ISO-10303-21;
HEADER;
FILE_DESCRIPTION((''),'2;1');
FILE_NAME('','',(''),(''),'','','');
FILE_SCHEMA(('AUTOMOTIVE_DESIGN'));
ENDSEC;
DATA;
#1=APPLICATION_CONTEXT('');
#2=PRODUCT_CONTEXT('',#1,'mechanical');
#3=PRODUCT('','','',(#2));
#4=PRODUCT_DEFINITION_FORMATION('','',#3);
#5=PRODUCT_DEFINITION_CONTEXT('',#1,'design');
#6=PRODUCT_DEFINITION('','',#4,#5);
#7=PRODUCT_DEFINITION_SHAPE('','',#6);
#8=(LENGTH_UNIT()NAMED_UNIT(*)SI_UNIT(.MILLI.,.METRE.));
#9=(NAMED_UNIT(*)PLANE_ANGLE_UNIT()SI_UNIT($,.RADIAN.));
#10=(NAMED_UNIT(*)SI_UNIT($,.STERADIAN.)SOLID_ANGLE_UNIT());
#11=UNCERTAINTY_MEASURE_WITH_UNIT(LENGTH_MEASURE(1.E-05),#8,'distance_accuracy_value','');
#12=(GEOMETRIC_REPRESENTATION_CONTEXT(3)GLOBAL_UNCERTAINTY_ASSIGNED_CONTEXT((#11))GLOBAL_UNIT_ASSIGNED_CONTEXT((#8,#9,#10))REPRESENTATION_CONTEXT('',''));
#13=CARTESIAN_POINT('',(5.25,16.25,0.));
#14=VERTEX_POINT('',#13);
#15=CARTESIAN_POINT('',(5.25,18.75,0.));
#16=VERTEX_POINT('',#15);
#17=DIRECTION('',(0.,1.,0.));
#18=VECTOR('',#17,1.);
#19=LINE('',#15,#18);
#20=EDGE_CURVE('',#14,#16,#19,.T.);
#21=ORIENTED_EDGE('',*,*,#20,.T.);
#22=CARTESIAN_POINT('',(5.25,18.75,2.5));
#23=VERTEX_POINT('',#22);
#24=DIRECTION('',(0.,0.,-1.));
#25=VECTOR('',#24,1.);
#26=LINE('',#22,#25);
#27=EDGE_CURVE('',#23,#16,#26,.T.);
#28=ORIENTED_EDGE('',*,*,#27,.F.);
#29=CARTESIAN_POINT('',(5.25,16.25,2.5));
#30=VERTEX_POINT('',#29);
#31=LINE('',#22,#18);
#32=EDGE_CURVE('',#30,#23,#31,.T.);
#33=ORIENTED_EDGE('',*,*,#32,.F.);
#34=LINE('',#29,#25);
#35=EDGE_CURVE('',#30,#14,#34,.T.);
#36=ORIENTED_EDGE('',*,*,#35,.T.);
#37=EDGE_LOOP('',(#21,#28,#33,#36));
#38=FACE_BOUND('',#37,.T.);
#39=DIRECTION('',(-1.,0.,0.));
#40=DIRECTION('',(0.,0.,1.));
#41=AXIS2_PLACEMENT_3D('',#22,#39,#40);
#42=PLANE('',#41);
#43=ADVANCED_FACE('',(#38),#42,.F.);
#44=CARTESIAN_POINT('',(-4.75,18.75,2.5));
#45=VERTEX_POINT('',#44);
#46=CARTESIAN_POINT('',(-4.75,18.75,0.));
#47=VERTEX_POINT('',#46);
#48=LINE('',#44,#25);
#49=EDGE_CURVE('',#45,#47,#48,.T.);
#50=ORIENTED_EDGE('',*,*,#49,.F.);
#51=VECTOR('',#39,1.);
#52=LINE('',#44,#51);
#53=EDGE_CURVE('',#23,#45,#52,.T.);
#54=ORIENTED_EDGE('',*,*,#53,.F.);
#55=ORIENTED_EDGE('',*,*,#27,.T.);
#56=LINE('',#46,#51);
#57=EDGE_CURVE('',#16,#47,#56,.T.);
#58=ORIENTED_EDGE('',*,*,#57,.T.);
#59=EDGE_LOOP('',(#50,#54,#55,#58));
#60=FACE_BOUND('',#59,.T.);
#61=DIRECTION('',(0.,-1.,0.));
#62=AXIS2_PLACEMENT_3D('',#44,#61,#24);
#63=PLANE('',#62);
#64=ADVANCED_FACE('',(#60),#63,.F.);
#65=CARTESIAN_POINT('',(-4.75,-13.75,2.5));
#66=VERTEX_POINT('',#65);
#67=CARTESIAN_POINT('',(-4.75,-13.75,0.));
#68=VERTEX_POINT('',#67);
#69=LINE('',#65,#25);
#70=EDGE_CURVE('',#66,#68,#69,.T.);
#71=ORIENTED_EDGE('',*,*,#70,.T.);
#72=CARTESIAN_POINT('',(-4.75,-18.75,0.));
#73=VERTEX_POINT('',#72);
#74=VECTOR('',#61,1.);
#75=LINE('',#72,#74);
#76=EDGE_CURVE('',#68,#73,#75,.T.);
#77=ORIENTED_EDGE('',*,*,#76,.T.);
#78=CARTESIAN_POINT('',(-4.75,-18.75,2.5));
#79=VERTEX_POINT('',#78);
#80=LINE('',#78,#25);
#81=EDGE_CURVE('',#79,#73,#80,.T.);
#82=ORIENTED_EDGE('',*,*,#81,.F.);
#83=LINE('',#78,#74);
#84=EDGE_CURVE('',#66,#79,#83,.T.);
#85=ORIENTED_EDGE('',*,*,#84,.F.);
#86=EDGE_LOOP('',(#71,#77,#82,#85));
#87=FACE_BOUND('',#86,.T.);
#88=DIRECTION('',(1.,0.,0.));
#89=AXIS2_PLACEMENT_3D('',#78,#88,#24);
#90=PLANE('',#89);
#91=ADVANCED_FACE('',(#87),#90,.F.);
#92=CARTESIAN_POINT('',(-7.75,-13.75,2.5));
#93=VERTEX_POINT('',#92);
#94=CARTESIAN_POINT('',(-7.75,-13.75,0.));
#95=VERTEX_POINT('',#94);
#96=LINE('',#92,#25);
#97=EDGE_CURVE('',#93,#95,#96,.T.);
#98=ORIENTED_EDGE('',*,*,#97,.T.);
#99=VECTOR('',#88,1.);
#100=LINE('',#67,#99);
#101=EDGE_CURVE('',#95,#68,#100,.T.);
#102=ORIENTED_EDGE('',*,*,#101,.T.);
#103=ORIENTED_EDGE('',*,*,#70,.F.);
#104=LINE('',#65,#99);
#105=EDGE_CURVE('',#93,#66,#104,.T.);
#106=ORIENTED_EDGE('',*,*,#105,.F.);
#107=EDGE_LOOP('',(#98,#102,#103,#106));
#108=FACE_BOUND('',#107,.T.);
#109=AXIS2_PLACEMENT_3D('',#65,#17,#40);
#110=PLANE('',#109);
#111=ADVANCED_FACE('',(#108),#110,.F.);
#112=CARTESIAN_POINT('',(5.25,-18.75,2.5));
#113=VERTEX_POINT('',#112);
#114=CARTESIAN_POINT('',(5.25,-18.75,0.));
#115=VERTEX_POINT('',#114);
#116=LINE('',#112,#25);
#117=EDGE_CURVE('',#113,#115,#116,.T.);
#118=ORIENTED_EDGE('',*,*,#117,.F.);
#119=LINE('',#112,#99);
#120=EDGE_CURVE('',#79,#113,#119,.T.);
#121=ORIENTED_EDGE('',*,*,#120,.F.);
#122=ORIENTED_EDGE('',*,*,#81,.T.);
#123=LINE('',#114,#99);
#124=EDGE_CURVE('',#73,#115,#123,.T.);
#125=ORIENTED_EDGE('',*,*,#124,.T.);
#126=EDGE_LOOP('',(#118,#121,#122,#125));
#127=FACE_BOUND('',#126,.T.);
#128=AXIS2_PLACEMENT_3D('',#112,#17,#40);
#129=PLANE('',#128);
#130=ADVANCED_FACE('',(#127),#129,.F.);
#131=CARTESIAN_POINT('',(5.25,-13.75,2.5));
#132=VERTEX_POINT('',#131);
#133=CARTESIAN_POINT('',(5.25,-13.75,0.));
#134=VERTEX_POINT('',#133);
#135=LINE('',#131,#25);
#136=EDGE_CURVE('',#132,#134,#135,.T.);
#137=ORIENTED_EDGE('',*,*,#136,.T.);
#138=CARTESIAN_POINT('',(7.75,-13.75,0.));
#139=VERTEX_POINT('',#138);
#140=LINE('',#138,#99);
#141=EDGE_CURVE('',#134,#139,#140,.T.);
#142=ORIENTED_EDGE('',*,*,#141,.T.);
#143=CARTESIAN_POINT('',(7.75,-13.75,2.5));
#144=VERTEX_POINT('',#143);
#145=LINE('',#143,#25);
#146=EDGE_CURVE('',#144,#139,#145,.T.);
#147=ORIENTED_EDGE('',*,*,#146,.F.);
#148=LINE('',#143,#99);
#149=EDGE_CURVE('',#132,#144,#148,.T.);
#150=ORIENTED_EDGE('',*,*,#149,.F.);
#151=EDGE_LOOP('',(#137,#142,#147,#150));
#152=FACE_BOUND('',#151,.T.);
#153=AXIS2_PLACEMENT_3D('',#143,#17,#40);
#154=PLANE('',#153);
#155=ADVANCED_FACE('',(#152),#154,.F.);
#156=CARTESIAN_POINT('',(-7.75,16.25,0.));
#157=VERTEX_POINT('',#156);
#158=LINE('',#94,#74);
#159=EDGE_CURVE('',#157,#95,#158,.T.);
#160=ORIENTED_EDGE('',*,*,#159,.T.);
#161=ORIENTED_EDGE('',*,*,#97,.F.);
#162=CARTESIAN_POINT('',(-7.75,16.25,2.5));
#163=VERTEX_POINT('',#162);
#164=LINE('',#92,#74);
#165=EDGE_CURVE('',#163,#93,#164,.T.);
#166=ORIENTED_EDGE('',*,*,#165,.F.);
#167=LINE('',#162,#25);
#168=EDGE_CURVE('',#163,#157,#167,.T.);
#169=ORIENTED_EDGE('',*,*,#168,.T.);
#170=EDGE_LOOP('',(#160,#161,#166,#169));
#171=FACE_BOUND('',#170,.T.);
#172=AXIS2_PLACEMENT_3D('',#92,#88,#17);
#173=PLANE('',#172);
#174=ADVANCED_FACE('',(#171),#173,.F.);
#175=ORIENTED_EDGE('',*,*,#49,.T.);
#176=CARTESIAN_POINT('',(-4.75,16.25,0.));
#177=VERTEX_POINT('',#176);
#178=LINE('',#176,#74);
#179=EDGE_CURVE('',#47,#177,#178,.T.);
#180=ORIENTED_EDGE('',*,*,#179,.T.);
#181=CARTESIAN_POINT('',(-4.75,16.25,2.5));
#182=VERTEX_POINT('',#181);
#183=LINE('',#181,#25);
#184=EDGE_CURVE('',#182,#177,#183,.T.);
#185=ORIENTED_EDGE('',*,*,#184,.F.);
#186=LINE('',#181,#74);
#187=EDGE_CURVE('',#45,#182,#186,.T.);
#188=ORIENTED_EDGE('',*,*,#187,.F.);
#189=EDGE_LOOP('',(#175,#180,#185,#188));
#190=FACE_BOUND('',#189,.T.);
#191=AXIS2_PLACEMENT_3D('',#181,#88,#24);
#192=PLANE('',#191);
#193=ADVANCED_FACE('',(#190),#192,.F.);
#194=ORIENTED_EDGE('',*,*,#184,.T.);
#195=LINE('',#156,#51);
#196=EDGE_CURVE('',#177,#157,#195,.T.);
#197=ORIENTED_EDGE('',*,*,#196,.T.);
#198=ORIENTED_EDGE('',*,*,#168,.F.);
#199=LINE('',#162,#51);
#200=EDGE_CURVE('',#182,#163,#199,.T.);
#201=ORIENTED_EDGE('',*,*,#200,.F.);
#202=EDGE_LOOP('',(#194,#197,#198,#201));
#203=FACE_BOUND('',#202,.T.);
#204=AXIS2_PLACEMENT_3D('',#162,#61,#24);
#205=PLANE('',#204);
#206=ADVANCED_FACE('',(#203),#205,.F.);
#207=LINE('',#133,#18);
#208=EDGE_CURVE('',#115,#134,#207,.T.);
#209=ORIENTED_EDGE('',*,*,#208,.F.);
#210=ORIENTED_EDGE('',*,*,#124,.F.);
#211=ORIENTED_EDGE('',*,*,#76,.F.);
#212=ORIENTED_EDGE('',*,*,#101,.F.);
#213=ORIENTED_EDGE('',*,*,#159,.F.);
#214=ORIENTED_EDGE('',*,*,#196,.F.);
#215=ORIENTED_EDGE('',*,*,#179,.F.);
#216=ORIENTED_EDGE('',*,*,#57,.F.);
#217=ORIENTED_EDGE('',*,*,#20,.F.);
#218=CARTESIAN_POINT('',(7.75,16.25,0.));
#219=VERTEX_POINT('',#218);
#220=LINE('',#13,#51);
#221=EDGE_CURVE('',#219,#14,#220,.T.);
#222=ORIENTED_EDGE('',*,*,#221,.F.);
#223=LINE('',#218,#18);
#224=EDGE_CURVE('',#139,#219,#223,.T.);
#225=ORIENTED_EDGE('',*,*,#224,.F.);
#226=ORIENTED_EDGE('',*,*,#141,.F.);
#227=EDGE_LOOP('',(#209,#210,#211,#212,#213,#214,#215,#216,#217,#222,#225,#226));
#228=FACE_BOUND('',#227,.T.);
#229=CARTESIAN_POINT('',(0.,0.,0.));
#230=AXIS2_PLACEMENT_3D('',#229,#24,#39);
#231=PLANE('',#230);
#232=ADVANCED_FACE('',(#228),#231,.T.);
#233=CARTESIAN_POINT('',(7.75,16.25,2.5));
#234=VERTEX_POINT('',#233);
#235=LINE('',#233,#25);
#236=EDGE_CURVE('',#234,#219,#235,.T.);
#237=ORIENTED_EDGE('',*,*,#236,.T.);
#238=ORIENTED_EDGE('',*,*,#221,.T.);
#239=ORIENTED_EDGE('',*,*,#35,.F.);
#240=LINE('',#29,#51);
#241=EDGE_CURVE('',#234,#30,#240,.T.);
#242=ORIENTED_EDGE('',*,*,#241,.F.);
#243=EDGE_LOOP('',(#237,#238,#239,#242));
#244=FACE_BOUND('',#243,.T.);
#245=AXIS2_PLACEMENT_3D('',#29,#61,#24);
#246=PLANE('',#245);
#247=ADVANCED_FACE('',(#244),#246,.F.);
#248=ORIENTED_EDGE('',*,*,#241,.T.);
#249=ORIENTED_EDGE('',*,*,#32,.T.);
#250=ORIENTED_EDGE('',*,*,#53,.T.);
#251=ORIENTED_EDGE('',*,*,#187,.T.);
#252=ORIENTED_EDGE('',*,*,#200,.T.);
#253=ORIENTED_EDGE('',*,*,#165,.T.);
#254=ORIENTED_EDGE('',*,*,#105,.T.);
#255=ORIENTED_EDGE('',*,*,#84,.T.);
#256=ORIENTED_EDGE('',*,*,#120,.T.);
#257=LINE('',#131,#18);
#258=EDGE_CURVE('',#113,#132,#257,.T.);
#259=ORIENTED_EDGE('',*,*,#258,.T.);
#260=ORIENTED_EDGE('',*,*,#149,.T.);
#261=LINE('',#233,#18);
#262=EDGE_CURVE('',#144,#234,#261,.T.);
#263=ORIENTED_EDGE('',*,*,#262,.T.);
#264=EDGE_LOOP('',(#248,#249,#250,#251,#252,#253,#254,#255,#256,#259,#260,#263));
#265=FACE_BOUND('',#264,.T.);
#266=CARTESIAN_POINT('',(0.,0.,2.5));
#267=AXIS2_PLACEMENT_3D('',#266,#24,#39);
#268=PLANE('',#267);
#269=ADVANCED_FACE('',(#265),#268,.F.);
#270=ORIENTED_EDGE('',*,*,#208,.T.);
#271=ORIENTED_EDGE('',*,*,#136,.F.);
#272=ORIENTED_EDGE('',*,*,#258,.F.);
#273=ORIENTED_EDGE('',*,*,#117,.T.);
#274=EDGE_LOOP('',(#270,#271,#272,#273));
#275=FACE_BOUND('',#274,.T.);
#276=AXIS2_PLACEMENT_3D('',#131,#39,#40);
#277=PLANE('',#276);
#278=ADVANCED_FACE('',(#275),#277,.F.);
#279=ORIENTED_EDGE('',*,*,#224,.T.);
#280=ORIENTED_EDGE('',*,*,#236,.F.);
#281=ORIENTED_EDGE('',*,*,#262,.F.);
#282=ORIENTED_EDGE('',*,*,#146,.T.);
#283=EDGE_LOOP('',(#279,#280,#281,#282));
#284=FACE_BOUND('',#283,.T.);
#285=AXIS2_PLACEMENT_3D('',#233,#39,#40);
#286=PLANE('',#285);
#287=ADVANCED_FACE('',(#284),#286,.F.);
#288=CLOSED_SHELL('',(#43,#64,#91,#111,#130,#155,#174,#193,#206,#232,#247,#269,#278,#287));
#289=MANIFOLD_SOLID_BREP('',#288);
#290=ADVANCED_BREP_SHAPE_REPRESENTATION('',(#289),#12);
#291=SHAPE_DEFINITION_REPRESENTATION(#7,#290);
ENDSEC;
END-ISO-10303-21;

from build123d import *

# Parameters (mm, degrees)
BOSS_EXTRUDE1_DEPTH = 2.5


with BuildPart() as part:
    # Sketch1 → Boss-Extrude1 (new body)
    with BuildSketch(Plane.XY):
        Polygon((-7.75, 16.25), (-4.75, 16.25), (-4.75, 18.75), (5.25, 18.75), (5.25, 16.25), (7.75, 16.25), (7.75, -13.75), (5.25, -13.75), (5.25, -18.75), (-4.75, -18.75), (-4.75, -13.75), (-7.75, -13.75), align=None)
    extrude(amount=BOSS_EXTRUDE1_DEPTH)


solid = part.part
